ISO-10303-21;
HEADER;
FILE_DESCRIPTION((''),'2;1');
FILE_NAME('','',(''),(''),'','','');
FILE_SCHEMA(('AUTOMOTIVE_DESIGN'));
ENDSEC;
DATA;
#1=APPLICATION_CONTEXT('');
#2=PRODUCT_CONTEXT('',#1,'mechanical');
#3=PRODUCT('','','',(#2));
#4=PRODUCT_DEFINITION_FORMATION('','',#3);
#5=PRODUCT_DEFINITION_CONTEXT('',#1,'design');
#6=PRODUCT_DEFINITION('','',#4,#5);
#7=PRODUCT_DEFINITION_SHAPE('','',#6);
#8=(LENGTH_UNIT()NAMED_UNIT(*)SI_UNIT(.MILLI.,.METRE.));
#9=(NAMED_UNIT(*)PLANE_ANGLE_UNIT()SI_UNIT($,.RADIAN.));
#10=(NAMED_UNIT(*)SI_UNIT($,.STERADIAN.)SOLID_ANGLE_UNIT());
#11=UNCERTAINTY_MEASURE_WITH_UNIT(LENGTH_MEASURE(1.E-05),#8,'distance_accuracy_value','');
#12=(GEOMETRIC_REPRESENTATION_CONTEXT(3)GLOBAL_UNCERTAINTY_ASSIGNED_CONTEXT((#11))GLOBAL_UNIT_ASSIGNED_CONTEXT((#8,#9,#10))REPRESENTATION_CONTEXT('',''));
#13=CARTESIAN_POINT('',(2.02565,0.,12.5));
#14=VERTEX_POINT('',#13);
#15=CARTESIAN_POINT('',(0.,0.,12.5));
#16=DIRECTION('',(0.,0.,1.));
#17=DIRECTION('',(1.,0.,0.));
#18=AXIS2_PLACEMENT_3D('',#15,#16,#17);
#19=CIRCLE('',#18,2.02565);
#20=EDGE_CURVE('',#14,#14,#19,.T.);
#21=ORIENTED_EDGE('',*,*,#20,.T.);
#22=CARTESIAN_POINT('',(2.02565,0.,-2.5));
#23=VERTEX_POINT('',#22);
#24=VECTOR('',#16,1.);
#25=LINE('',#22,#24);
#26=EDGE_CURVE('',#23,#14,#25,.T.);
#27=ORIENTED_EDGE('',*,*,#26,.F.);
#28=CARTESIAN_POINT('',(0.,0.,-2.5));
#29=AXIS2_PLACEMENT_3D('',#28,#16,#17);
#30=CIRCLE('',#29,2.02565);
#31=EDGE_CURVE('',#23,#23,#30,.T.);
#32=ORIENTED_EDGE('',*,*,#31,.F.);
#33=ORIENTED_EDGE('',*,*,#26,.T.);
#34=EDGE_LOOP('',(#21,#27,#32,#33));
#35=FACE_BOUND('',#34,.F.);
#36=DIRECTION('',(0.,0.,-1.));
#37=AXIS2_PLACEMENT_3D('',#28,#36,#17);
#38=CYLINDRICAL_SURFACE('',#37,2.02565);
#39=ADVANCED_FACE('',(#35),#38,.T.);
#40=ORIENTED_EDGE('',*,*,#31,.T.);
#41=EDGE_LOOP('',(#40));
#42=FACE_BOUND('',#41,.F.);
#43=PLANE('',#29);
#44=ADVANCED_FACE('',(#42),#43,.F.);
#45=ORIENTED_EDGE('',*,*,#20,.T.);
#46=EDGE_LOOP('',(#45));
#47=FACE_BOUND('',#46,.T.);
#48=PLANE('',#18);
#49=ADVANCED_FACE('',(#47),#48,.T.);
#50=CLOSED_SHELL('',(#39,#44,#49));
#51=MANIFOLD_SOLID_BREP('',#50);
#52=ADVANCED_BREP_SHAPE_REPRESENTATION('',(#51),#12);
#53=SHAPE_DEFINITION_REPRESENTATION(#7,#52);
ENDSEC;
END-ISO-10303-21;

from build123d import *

# Parameters (mm, degrees)
CYLINDER_R     = 2.02565
CYLINDER_DEPTH = 15


with BuildPart() as part:
    # Cylinder → Cylinder (new body)
    with BuildSketch(Plane.XY.offset(-2.5)):
        Circle(CYLINDER_R)
    extrude(amount=CYLINDER_DEPTH)


solid = part.part
